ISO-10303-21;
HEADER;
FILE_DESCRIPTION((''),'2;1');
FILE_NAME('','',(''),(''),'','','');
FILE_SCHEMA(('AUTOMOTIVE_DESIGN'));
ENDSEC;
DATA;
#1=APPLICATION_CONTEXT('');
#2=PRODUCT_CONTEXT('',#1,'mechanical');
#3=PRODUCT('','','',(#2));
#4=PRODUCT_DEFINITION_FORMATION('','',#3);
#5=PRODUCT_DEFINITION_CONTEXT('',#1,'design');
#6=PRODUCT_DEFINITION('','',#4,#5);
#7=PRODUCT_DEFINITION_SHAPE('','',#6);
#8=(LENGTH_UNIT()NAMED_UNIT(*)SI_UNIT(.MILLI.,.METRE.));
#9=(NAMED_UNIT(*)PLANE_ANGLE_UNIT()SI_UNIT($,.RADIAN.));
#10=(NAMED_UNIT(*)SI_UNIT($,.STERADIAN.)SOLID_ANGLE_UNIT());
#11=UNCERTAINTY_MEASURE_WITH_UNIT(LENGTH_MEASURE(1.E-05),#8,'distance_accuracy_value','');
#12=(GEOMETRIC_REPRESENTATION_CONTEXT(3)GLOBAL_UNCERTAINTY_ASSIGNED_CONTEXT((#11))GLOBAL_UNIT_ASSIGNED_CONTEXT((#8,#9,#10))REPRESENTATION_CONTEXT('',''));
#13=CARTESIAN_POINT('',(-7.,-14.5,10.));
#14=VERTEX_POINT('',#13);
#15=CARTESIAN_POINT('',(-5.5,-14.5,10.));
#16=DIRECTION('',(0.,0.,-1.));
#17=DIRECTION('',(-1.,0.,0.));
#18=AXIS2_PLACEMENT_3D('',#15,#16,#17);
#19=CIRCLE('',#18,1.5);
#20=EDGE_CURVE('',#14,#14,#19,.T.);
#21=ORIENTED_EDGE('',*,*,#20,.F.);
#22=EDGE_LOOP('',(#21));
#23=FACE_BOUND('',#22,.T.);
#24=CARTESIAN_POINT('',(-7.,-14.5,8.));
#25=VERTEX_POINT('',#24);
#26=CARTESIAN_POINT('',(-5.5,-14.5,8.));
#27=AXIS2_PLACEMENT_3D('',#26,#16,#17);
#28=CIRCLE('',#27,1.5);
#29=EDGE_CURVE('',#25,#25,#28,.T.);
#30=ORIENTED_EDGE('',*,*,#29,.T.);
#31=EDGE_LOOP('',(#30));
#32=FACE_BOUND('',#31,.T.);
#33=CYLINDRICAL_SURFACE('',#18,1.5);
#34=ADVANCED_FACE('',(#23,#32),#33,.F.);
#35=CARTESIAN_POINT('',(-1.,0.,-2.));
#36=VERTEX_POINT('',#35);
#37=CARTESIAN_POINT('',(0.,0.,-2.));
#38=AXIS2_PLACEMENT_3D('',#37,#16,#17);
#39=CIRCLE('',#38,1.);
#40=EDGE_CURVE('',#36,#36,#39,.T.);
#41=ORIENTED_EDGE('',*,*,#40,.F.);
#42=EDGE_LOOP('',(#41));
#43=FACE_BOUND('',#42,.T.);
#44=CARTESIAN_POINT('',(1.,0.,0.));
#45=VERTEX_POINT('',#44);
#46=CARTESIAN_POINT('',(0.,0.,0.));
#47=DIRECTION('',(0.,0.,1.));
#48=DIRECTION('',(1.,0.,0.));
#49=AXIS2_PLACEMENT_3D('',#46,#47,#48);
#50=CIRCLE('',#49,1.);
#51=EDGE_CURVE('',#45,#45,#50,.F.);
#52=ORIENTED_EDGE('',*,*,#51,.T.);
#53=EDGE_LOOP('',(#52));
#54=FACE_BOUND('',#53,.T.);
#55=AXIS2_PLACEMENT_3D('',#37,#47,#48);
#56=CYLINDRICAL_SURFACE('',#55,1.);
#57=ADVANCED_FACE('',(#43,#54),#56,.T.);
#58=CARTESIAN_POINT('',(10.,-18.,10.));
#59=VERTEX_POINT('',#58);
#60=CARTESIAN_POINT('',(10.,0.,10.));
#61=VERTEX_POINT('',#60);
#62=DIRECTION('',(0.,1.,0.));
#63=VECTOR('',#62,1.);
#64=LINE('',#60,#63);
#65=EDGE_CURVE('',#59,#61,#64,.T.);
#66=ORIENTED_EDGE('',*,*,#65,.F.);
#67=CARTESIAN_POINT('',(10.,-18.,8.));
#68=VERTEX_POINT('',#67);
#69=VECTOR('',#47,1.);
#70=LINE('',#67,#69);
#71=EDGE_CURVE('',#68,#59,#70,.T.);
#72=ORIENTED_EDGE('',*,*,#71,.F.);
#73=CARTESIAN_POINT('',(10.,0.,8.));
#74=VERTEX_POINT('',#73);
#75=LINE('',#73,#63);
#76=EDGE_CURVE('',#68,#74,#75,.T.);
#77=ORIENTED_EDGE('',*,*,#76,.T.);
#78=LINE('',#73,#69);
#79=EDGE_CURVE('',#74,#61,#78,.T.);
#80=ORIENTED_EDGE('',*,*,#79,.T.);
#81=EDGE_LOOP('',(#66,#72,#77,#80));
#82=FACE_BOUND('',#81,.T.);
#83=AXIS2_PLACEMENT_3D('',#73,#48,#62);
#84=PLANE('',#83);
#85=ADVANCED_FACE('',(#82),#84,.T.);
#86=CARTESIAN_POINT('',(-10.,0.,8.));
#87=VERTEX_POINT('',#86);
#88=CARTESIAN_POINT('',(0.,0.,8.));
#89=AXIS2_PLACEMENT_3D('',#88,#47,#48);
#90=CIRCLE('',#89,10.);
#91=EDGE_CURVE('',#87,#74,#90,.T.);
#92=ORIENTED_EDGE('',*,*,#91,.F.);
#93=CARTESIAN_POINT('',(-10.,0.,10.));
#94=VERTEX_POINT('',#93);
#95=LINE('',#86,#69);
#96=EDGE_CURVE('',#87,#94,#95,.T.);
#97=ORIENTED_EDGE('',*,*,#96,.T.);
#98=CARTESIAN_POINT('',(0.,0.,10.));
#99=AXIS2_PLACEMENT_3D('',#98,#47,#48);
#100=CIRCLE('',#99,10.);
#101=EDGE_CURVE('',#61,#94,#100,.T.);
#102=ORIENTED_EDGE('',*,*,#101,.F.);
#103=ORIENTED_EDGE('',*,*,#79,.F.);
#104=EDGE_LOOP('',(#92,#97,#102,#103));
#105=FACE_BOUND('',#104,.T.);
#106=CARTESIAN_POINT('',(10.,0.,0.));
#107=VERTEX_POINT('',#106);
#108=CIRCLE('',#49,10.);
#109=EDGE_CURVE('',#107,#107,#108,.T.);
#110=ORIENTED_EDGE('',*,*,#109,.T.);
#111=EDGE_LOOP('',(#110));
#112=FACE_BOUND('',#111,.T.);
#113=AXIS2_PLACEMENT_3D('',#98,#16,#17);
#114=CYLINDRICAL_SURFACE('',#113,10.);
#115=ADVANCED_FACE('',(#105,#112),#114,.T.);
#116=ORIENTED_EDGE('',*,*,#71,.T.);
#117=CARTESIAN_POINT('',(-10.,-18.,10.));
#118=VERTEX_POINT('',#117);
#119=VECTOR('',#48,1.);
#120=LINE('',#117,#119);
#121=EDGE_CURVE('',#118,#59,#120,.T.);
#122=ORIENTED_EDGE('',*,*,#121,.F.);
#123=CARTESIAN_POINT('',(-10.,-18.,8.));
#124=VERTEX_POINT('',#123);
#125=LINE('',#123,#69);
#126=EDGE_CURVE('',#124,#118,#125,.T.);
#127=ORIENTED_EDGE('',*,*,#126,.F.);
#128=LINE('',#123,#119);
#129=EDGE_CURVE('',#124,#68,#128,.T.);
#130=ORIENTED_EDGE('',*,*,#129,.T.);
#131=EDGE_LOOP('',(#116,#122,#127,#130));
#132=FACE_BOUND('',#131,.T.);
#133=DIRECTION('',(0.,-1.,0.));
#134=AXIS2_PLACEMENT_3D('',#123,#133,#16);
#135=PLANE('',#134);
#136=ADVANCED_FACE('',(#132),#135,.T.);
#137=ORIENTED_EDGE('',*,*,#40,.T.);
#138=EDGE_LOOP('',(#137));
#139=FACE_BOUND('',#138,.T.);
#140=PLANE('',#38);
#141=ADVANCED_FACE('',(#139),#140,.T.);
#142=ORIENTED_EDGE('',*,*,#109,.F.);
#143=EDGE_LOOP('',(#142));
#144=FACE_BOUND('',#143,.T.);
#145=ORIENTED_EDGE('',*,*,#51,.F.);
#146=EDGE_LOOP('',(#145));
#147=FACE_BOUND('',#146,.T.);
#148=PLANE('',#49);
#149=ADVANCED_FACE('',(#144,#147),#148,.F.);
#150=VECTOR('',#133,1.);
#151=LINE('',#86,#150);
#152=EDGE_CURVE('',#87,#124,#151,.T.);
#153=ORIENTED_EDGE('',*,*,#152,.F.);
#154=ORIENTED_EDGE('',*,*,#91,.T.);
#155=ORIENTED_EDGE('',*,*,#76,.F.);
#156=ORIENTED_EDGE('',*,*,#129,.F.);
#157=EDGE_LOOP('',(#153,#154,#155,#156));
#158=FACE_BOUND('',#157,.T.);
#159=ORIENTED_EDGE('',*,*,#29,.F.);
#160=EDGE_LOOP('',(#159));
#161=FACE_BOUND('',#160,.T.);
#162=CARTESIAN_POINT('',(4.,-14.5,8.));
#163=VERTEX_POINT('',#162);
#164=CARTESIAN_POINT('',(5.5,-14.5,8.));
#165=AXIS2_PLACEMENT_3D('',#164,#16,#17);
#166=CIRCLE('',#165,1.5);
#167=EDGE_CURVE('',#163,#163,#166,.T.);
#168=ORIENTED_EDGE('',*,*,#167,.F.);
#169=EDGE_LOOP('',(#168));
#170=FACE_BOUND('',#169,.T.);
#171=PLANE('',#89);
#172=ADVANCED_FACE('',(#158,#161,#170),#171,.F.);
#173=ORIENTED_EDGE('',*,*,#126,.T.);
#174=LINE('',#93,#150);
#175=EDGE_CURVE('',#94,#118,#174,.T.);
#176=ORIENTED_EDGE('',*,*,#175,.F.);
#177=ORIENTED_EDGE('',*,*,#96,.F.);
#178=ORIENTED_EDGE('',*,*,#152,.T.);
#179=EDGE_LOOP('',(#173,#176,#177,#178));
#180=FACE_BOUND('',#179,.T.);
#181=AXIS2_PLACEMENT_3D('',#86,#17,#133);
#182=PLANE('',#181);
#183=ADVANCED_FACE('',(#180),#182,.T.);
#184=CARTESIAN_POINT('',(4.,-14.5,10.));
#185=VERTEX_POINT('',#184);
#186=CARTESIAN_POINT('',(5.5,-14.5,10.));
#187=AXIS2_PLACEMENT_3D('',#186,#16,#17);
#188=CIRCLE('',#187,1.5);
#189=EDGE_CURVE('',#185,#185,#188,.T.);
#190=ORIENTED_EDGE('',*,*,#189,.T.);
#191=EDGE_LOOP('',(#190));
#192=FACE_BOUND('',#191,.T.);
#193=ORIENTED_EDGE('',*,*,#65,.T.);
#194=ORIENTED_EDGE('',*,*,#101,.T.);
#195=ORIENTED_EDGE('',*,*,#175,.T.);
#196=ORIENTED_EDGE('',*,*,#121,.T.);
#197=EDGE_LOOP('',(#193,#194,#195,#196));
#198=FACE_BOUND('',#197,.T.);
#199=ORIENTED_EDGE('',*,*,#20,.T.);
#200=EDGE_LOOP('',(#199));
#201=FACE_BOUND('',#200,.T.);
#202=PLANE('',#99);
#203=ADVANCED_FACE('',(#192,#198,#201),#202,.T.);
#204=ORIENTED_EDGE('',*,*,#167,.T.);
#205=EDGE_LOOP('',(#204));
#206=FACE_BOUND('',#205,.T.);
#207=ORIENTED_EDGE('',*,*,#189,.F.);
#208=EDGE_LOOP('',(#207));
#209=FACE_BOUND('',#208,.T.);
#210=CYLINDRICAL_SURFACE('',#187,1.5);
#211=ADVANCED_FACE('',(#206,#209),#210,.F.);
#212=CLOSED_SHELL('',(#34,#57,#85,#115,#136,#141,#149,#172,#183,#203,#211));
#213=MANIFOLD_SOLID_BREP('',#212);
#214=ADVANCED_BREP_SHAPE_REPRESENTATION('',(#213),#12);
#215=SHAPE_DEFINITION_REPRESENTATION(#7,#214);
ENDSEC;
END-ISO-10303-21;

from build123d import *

# Parameters (mm, degrees)
SKETCH1_R           = 10
BOSS_EXTRUDE1_DEPTH = 10
SKETCH2_W           = 20
SKETCH2_H           = 18
BOSS_EXTRUDE2_DEPTH = 2
SKETCH3_R           = 1
BOSS_EXTRUDE3_DEPTH = 2
SKETCH5_R           = 1.5
CUT_EXTRUDE1_DEPTH  = 2


with BuildPart() as part:
    # Sketch1 → Boss-Extrude1 (new body)
    with BuildSketch(Plane.XY):
        Circle(SKETCH1_R)
    extrude(amount=BOSS_EXTRUDE1_DEPTH)

    # Sketch2 → Boss-Extrude2 (add)
    with BuildSketch(Plane.XY.offset(10)):
        with Locations((0, -9)):
            Rectangle(SKETCH2_W, SKETCH2_H)
    extrude(amount=-BOSS_EXTRUDE2_DEPTH)

    # Sketch3 → Boss-Extrude3 (add)
    with BuildSketch(Plane(origin=(0, 0, 0), x_dir=(-1, 0, 0), z_dir=(0, 0, -1))):
        with Locations(Location((0, 0, 0), (0, 0, 180))):
            Circle(SKETCH3_R)
    extrude(amount=BOSS_EXTRUDE3_DEPTH)

    # Sketch5 → Cut-Extrude1 (cut)
    with BuildSketch(Plane(origin=(0, 0, 8), x_dir=(-1, 0, 0), z_dir=(0, 0, -1))):
        with Locations((-5.5, -14.5)):
            Circle(SKETCH5_R)
        with Locations((5.5, -14.5)):
            Circle(SKETCH5_R)
    extrude(amount=-CUT_EXTRUDE1_DEPTH, mode=Mode.SUBTRACT)


solid = part.part
